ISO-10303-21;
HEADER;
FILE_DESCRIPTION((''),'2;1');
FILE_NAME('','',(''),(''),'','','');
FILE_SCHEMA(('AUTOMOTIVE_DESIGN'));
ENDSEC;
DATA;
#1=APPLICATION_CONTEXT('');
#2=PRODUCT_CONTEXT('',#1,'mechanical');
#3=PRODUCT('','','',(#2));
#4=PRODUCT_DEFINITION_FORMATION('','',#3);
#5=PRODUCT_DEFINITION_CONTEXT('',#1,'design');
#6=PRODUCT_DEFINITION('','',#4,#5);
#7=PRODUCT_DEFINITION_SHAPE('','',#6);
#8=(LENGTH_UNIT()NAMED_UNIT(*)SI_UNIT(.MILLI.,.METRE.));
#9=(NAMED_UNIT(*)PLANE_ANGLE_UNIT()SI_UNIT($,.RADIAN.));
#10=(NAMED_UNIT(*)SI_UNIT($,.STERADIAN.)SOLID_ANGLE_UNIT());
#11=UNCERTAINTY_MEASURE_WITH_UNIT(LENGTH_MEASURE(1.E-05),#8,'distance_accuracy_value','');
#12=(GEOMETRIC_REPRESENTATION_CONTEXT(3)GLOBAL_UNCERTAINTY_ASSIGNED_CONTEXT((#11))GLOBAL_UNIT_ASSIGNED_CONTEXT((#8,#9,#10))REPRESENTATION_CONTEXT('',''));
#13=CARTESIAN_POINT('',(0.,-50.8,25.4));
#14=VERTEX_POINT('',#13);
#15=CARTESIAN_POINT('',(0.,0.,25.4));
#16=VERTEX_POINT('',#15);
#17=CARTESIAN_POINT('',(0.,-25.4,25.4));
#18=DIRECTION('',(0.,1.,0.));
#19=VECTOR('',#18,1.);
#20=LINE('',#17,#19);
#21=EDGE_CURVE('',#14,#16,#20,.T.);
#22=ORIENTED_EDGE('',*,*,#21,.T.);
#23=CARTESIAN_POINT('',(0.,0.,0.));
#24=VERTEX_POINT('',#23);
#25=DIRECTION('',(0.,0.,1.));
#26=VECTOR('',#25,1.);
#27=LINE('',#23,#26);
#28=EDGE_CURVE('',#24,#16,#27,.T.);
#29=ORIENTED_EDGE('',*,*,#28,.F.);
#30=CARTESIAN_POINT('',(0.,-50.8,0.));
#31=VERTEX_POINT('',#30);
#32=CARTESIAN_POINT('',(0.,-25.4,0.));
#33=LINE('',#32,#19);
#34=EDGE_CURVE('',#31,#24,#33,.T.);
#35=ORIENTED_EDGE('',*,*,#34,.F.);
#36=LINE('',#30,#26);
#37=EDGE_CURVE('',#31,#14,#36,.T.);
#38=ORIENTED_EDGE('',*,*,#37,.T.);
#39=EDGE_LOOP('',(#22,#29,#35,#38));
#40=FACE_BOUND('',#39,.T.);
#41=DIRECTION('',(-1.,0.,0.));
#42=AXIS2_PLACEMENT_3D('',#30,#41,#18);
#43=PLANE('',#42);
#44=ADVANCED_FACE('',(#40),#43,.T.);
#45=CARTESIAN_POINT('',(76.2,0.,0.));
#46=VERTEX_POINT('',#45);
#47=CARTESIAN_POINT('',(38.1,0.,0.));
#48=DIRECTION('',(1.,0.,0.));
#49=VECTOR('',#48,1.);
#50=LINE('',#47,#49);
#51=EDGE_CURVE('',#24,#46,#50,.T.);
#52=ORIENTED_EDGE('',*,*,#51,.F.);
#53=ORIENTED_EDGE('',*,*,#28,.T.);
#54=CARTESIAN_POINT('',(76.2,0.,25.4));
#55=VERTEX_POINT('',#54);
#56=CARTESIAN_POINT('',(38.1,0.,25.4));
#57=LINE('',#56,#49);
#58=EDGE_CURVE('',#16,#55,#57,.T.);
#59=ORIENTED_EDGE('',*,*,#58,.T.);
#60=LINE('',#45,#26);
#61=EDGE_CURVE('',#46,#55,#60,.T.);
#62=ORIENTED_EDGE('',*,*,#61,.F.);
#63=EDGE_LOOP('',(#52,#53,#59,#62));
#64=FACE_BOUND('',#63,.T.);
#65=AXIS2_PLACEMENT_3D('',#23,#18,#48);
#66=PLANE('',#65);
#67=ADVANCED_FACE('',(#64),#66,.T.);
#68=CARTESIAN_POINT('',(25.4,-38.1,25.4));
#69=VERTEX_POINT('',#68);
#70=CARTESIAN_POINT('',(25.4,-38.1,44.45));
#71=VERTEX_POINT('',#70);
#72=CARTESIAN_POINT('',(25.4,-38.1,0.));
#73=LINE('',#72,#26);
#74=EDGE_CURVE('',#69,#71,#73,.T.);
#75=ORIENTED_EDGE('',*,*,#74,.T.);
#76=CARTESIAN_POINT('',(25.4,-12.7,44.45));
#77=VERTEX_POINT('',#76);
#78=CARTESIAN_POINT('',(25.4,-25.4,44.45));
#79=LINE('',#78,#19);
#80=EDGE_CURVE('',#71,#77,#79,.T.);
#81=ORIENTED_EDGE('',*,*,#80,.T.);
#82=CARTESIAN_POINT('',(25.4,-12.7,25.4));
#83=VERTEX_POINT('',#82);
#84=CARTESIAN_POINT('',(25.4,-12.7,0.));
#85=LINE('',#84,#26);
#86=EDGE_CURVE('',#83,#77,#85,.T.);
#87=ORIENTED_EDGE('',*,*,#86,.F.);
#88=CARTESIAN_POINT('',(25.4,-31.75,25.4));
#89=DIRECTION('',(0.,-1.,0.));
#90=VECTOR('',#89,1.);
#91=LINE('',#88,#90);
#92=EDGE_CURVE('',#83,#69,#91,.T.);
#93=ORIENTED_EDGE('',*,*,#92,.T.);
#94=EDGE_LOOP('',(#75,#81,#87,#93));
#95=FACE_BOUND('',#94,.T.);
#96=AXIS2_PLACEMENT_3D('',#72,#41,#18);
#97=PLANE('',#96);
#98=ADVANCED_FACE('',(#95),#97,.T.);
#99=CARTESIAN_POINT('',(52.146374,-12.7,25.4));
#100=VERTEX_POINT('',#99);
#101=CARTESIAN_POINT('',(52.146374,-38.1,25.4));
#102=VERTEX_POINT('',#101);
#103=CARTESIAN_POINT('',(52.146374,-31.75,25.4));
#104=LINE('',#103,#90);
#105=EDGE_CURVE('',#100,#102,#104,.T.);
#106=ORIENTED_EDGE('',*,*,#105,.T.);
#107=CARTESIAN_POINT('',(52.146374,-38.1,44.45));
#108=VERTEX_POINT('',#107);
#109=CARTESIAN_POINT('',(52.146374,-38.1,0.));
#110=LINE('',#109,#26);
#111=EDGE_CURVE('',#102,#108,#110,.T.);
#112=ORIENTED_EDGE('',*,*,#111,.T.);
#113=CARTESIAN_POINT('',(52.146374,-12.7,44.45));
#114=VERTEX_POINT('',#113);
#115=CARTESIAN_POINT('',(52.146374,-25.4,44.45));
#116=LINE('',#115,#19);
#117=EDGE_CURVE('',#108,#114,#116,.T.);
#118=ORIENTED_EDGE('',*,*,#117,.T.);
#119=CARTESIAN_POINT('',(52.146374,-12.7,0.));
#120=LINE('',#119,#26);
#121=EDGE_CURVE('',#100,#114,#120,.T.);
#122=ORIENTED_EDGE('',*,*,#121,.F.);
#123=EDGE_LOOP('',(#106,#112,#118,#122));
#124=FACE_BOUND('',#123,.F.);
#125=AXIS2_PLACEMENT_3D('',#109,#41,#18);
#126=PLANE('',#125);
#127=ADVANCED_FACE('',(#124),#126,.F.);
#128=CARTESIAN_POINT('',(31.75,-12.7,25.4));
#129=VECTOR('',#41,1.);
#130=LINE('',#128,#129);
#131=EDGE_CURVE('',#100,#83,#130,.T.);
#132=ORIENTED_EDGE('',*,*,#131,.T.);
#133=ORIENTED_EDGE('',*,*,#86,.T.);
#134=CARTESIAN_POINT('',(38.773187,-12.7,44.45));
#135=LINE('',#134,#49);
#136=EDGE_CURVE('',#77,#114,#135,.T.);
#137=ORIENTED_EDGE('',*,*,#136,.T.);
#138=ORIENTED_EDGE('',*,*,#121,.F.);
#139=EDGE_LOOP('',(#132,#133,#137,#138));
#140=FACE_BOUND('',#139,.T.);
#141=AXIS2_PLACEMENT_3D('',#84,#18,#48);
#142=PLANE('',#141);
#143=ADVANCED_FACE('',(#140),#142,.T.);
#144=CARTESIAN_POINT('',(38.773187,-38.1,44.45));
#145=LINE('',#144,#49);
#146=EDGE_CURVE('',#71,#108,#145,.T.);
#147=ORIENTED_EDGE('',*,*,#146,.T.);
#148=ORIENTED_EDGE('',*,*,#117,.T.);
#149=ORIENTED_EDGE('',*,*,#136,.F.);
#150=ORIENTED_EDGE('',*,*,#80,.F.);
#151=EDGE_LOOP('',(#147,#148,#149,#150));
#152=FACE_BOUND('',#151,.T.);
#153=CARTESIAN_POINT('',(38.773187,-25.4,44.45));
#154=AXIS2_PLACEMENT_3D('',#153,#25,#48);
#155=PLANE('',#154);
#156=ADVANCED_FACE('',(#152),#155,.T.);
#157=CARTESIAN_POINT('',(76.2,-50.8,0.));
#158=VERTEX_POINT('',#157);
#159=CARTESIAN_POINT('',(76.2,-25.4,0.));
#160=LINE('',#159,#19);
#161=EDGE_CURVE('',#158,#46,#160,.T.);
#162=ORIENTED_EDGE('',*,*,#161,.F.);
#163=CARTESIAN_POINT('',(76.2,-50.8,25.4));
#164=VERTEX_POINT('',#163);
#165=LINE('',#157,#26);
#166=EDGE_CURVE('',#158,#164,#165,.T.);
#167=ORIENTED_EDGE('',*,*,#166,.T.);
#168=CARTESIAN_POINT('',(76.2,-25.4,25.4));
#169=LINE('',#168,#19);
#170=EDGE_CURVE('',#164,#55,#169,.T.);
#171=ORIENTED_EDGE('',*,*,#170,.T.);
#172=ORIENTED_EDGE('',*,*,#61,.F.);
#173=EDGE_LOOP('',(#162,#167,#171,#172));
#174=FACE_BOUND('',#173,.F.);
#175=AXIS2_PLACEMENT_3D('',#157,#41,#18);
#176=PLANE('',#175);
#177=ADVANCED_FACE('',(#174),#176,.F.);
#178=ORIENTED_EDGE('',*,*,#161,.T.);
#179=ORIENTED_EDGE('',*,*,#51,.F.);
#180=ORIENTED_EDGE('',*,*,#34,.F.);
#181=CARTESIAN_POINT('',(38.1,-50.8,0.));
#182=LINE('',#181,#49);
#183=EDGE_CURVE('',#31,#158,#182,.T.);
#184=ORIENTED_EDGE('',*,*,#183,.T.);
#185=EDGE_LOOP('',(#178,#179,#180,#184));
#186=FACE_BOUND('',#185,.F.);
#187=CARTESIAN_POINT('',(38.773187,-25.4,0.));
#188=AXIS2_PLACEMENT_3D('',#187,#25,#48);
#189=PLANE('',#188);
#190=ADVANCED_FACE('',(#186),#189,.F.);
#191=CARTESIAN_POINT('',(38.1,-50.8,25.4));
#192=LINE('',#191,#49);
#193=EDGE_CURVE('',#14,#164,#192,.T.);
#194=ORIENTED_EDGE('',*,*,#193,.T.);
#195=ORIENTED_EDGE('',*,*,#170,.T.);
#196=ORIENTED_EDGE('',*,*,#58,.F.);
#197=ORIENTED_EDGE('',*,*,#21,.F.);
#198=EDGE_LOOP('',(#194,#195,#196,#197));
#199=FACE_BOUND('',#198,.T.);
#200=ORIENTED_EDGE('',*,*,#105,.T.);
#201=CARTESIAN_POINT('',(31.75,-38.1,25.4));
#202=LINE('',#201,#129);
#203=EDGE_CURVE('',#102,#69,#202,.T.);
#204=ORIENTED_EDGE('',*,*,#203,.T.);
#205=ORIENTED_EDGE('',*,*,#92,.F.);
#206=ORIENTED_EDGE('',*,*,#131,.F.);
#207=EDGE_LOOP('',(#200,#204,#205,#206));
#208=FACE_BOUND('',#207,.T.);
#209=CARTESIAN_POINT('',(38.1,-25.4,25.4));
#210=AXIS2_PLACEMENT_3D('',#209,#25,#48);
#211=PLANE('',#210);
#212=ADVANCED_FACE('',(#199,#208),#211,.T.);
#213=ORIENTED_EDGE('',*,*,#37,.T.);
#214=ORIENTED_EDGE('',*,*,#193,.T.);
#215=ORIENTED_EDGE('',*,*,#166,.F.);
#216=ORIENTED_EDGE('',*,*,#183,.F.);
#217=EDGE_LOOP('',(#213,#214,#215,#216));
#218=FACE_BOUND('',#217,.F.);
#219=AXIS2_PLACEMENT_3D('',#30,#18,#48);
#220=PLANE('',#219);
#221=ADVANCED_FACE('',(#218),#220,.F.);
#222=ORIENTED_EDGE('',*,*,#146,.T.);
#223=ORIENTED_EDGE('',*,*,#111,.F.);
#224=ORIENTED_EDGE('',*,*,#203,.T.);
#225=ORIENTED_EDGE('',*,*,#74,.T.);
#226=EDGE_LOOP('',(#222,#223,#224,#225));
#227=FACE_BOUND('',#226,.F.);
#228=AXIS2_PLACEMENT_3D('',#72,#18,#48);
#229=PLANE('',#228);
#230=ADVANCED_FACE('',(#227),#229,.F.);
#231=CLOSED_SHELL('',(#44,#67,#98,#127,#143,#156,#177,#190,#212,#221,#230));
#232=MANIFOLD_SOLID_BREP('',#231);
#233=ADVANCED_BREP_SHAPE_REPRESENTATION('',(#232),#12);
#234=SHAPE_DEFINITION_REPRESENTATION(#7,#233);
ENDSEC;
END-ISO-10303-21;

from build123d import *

# Parameters (mm, degrees)
F0_W     = 76.2
F0_H     = 50.8
F1_DEPTH = 25.4
F2_W     = 26.746374
F2_H     = 25.4
F3_DEPTH = 44.45


with BuildPart() as f1:
    # F0 (on Top) → F1 (new body)
    with BuildSketch(Plane.XY):
        with Locations((38.1, -25.4)):
            Rectangle(F0_W, F0_H)
    extrude(amount=F1_DEPTH)

    # F2 (on Top) → F3 (join)
    with BuildSketch(Plane.XY):
        with Locations((38.773187, -25.4)):
            Rectangle(F2_W, F2_H)
    extrude(amount=F3_DEPTH)


solid = f1.part
